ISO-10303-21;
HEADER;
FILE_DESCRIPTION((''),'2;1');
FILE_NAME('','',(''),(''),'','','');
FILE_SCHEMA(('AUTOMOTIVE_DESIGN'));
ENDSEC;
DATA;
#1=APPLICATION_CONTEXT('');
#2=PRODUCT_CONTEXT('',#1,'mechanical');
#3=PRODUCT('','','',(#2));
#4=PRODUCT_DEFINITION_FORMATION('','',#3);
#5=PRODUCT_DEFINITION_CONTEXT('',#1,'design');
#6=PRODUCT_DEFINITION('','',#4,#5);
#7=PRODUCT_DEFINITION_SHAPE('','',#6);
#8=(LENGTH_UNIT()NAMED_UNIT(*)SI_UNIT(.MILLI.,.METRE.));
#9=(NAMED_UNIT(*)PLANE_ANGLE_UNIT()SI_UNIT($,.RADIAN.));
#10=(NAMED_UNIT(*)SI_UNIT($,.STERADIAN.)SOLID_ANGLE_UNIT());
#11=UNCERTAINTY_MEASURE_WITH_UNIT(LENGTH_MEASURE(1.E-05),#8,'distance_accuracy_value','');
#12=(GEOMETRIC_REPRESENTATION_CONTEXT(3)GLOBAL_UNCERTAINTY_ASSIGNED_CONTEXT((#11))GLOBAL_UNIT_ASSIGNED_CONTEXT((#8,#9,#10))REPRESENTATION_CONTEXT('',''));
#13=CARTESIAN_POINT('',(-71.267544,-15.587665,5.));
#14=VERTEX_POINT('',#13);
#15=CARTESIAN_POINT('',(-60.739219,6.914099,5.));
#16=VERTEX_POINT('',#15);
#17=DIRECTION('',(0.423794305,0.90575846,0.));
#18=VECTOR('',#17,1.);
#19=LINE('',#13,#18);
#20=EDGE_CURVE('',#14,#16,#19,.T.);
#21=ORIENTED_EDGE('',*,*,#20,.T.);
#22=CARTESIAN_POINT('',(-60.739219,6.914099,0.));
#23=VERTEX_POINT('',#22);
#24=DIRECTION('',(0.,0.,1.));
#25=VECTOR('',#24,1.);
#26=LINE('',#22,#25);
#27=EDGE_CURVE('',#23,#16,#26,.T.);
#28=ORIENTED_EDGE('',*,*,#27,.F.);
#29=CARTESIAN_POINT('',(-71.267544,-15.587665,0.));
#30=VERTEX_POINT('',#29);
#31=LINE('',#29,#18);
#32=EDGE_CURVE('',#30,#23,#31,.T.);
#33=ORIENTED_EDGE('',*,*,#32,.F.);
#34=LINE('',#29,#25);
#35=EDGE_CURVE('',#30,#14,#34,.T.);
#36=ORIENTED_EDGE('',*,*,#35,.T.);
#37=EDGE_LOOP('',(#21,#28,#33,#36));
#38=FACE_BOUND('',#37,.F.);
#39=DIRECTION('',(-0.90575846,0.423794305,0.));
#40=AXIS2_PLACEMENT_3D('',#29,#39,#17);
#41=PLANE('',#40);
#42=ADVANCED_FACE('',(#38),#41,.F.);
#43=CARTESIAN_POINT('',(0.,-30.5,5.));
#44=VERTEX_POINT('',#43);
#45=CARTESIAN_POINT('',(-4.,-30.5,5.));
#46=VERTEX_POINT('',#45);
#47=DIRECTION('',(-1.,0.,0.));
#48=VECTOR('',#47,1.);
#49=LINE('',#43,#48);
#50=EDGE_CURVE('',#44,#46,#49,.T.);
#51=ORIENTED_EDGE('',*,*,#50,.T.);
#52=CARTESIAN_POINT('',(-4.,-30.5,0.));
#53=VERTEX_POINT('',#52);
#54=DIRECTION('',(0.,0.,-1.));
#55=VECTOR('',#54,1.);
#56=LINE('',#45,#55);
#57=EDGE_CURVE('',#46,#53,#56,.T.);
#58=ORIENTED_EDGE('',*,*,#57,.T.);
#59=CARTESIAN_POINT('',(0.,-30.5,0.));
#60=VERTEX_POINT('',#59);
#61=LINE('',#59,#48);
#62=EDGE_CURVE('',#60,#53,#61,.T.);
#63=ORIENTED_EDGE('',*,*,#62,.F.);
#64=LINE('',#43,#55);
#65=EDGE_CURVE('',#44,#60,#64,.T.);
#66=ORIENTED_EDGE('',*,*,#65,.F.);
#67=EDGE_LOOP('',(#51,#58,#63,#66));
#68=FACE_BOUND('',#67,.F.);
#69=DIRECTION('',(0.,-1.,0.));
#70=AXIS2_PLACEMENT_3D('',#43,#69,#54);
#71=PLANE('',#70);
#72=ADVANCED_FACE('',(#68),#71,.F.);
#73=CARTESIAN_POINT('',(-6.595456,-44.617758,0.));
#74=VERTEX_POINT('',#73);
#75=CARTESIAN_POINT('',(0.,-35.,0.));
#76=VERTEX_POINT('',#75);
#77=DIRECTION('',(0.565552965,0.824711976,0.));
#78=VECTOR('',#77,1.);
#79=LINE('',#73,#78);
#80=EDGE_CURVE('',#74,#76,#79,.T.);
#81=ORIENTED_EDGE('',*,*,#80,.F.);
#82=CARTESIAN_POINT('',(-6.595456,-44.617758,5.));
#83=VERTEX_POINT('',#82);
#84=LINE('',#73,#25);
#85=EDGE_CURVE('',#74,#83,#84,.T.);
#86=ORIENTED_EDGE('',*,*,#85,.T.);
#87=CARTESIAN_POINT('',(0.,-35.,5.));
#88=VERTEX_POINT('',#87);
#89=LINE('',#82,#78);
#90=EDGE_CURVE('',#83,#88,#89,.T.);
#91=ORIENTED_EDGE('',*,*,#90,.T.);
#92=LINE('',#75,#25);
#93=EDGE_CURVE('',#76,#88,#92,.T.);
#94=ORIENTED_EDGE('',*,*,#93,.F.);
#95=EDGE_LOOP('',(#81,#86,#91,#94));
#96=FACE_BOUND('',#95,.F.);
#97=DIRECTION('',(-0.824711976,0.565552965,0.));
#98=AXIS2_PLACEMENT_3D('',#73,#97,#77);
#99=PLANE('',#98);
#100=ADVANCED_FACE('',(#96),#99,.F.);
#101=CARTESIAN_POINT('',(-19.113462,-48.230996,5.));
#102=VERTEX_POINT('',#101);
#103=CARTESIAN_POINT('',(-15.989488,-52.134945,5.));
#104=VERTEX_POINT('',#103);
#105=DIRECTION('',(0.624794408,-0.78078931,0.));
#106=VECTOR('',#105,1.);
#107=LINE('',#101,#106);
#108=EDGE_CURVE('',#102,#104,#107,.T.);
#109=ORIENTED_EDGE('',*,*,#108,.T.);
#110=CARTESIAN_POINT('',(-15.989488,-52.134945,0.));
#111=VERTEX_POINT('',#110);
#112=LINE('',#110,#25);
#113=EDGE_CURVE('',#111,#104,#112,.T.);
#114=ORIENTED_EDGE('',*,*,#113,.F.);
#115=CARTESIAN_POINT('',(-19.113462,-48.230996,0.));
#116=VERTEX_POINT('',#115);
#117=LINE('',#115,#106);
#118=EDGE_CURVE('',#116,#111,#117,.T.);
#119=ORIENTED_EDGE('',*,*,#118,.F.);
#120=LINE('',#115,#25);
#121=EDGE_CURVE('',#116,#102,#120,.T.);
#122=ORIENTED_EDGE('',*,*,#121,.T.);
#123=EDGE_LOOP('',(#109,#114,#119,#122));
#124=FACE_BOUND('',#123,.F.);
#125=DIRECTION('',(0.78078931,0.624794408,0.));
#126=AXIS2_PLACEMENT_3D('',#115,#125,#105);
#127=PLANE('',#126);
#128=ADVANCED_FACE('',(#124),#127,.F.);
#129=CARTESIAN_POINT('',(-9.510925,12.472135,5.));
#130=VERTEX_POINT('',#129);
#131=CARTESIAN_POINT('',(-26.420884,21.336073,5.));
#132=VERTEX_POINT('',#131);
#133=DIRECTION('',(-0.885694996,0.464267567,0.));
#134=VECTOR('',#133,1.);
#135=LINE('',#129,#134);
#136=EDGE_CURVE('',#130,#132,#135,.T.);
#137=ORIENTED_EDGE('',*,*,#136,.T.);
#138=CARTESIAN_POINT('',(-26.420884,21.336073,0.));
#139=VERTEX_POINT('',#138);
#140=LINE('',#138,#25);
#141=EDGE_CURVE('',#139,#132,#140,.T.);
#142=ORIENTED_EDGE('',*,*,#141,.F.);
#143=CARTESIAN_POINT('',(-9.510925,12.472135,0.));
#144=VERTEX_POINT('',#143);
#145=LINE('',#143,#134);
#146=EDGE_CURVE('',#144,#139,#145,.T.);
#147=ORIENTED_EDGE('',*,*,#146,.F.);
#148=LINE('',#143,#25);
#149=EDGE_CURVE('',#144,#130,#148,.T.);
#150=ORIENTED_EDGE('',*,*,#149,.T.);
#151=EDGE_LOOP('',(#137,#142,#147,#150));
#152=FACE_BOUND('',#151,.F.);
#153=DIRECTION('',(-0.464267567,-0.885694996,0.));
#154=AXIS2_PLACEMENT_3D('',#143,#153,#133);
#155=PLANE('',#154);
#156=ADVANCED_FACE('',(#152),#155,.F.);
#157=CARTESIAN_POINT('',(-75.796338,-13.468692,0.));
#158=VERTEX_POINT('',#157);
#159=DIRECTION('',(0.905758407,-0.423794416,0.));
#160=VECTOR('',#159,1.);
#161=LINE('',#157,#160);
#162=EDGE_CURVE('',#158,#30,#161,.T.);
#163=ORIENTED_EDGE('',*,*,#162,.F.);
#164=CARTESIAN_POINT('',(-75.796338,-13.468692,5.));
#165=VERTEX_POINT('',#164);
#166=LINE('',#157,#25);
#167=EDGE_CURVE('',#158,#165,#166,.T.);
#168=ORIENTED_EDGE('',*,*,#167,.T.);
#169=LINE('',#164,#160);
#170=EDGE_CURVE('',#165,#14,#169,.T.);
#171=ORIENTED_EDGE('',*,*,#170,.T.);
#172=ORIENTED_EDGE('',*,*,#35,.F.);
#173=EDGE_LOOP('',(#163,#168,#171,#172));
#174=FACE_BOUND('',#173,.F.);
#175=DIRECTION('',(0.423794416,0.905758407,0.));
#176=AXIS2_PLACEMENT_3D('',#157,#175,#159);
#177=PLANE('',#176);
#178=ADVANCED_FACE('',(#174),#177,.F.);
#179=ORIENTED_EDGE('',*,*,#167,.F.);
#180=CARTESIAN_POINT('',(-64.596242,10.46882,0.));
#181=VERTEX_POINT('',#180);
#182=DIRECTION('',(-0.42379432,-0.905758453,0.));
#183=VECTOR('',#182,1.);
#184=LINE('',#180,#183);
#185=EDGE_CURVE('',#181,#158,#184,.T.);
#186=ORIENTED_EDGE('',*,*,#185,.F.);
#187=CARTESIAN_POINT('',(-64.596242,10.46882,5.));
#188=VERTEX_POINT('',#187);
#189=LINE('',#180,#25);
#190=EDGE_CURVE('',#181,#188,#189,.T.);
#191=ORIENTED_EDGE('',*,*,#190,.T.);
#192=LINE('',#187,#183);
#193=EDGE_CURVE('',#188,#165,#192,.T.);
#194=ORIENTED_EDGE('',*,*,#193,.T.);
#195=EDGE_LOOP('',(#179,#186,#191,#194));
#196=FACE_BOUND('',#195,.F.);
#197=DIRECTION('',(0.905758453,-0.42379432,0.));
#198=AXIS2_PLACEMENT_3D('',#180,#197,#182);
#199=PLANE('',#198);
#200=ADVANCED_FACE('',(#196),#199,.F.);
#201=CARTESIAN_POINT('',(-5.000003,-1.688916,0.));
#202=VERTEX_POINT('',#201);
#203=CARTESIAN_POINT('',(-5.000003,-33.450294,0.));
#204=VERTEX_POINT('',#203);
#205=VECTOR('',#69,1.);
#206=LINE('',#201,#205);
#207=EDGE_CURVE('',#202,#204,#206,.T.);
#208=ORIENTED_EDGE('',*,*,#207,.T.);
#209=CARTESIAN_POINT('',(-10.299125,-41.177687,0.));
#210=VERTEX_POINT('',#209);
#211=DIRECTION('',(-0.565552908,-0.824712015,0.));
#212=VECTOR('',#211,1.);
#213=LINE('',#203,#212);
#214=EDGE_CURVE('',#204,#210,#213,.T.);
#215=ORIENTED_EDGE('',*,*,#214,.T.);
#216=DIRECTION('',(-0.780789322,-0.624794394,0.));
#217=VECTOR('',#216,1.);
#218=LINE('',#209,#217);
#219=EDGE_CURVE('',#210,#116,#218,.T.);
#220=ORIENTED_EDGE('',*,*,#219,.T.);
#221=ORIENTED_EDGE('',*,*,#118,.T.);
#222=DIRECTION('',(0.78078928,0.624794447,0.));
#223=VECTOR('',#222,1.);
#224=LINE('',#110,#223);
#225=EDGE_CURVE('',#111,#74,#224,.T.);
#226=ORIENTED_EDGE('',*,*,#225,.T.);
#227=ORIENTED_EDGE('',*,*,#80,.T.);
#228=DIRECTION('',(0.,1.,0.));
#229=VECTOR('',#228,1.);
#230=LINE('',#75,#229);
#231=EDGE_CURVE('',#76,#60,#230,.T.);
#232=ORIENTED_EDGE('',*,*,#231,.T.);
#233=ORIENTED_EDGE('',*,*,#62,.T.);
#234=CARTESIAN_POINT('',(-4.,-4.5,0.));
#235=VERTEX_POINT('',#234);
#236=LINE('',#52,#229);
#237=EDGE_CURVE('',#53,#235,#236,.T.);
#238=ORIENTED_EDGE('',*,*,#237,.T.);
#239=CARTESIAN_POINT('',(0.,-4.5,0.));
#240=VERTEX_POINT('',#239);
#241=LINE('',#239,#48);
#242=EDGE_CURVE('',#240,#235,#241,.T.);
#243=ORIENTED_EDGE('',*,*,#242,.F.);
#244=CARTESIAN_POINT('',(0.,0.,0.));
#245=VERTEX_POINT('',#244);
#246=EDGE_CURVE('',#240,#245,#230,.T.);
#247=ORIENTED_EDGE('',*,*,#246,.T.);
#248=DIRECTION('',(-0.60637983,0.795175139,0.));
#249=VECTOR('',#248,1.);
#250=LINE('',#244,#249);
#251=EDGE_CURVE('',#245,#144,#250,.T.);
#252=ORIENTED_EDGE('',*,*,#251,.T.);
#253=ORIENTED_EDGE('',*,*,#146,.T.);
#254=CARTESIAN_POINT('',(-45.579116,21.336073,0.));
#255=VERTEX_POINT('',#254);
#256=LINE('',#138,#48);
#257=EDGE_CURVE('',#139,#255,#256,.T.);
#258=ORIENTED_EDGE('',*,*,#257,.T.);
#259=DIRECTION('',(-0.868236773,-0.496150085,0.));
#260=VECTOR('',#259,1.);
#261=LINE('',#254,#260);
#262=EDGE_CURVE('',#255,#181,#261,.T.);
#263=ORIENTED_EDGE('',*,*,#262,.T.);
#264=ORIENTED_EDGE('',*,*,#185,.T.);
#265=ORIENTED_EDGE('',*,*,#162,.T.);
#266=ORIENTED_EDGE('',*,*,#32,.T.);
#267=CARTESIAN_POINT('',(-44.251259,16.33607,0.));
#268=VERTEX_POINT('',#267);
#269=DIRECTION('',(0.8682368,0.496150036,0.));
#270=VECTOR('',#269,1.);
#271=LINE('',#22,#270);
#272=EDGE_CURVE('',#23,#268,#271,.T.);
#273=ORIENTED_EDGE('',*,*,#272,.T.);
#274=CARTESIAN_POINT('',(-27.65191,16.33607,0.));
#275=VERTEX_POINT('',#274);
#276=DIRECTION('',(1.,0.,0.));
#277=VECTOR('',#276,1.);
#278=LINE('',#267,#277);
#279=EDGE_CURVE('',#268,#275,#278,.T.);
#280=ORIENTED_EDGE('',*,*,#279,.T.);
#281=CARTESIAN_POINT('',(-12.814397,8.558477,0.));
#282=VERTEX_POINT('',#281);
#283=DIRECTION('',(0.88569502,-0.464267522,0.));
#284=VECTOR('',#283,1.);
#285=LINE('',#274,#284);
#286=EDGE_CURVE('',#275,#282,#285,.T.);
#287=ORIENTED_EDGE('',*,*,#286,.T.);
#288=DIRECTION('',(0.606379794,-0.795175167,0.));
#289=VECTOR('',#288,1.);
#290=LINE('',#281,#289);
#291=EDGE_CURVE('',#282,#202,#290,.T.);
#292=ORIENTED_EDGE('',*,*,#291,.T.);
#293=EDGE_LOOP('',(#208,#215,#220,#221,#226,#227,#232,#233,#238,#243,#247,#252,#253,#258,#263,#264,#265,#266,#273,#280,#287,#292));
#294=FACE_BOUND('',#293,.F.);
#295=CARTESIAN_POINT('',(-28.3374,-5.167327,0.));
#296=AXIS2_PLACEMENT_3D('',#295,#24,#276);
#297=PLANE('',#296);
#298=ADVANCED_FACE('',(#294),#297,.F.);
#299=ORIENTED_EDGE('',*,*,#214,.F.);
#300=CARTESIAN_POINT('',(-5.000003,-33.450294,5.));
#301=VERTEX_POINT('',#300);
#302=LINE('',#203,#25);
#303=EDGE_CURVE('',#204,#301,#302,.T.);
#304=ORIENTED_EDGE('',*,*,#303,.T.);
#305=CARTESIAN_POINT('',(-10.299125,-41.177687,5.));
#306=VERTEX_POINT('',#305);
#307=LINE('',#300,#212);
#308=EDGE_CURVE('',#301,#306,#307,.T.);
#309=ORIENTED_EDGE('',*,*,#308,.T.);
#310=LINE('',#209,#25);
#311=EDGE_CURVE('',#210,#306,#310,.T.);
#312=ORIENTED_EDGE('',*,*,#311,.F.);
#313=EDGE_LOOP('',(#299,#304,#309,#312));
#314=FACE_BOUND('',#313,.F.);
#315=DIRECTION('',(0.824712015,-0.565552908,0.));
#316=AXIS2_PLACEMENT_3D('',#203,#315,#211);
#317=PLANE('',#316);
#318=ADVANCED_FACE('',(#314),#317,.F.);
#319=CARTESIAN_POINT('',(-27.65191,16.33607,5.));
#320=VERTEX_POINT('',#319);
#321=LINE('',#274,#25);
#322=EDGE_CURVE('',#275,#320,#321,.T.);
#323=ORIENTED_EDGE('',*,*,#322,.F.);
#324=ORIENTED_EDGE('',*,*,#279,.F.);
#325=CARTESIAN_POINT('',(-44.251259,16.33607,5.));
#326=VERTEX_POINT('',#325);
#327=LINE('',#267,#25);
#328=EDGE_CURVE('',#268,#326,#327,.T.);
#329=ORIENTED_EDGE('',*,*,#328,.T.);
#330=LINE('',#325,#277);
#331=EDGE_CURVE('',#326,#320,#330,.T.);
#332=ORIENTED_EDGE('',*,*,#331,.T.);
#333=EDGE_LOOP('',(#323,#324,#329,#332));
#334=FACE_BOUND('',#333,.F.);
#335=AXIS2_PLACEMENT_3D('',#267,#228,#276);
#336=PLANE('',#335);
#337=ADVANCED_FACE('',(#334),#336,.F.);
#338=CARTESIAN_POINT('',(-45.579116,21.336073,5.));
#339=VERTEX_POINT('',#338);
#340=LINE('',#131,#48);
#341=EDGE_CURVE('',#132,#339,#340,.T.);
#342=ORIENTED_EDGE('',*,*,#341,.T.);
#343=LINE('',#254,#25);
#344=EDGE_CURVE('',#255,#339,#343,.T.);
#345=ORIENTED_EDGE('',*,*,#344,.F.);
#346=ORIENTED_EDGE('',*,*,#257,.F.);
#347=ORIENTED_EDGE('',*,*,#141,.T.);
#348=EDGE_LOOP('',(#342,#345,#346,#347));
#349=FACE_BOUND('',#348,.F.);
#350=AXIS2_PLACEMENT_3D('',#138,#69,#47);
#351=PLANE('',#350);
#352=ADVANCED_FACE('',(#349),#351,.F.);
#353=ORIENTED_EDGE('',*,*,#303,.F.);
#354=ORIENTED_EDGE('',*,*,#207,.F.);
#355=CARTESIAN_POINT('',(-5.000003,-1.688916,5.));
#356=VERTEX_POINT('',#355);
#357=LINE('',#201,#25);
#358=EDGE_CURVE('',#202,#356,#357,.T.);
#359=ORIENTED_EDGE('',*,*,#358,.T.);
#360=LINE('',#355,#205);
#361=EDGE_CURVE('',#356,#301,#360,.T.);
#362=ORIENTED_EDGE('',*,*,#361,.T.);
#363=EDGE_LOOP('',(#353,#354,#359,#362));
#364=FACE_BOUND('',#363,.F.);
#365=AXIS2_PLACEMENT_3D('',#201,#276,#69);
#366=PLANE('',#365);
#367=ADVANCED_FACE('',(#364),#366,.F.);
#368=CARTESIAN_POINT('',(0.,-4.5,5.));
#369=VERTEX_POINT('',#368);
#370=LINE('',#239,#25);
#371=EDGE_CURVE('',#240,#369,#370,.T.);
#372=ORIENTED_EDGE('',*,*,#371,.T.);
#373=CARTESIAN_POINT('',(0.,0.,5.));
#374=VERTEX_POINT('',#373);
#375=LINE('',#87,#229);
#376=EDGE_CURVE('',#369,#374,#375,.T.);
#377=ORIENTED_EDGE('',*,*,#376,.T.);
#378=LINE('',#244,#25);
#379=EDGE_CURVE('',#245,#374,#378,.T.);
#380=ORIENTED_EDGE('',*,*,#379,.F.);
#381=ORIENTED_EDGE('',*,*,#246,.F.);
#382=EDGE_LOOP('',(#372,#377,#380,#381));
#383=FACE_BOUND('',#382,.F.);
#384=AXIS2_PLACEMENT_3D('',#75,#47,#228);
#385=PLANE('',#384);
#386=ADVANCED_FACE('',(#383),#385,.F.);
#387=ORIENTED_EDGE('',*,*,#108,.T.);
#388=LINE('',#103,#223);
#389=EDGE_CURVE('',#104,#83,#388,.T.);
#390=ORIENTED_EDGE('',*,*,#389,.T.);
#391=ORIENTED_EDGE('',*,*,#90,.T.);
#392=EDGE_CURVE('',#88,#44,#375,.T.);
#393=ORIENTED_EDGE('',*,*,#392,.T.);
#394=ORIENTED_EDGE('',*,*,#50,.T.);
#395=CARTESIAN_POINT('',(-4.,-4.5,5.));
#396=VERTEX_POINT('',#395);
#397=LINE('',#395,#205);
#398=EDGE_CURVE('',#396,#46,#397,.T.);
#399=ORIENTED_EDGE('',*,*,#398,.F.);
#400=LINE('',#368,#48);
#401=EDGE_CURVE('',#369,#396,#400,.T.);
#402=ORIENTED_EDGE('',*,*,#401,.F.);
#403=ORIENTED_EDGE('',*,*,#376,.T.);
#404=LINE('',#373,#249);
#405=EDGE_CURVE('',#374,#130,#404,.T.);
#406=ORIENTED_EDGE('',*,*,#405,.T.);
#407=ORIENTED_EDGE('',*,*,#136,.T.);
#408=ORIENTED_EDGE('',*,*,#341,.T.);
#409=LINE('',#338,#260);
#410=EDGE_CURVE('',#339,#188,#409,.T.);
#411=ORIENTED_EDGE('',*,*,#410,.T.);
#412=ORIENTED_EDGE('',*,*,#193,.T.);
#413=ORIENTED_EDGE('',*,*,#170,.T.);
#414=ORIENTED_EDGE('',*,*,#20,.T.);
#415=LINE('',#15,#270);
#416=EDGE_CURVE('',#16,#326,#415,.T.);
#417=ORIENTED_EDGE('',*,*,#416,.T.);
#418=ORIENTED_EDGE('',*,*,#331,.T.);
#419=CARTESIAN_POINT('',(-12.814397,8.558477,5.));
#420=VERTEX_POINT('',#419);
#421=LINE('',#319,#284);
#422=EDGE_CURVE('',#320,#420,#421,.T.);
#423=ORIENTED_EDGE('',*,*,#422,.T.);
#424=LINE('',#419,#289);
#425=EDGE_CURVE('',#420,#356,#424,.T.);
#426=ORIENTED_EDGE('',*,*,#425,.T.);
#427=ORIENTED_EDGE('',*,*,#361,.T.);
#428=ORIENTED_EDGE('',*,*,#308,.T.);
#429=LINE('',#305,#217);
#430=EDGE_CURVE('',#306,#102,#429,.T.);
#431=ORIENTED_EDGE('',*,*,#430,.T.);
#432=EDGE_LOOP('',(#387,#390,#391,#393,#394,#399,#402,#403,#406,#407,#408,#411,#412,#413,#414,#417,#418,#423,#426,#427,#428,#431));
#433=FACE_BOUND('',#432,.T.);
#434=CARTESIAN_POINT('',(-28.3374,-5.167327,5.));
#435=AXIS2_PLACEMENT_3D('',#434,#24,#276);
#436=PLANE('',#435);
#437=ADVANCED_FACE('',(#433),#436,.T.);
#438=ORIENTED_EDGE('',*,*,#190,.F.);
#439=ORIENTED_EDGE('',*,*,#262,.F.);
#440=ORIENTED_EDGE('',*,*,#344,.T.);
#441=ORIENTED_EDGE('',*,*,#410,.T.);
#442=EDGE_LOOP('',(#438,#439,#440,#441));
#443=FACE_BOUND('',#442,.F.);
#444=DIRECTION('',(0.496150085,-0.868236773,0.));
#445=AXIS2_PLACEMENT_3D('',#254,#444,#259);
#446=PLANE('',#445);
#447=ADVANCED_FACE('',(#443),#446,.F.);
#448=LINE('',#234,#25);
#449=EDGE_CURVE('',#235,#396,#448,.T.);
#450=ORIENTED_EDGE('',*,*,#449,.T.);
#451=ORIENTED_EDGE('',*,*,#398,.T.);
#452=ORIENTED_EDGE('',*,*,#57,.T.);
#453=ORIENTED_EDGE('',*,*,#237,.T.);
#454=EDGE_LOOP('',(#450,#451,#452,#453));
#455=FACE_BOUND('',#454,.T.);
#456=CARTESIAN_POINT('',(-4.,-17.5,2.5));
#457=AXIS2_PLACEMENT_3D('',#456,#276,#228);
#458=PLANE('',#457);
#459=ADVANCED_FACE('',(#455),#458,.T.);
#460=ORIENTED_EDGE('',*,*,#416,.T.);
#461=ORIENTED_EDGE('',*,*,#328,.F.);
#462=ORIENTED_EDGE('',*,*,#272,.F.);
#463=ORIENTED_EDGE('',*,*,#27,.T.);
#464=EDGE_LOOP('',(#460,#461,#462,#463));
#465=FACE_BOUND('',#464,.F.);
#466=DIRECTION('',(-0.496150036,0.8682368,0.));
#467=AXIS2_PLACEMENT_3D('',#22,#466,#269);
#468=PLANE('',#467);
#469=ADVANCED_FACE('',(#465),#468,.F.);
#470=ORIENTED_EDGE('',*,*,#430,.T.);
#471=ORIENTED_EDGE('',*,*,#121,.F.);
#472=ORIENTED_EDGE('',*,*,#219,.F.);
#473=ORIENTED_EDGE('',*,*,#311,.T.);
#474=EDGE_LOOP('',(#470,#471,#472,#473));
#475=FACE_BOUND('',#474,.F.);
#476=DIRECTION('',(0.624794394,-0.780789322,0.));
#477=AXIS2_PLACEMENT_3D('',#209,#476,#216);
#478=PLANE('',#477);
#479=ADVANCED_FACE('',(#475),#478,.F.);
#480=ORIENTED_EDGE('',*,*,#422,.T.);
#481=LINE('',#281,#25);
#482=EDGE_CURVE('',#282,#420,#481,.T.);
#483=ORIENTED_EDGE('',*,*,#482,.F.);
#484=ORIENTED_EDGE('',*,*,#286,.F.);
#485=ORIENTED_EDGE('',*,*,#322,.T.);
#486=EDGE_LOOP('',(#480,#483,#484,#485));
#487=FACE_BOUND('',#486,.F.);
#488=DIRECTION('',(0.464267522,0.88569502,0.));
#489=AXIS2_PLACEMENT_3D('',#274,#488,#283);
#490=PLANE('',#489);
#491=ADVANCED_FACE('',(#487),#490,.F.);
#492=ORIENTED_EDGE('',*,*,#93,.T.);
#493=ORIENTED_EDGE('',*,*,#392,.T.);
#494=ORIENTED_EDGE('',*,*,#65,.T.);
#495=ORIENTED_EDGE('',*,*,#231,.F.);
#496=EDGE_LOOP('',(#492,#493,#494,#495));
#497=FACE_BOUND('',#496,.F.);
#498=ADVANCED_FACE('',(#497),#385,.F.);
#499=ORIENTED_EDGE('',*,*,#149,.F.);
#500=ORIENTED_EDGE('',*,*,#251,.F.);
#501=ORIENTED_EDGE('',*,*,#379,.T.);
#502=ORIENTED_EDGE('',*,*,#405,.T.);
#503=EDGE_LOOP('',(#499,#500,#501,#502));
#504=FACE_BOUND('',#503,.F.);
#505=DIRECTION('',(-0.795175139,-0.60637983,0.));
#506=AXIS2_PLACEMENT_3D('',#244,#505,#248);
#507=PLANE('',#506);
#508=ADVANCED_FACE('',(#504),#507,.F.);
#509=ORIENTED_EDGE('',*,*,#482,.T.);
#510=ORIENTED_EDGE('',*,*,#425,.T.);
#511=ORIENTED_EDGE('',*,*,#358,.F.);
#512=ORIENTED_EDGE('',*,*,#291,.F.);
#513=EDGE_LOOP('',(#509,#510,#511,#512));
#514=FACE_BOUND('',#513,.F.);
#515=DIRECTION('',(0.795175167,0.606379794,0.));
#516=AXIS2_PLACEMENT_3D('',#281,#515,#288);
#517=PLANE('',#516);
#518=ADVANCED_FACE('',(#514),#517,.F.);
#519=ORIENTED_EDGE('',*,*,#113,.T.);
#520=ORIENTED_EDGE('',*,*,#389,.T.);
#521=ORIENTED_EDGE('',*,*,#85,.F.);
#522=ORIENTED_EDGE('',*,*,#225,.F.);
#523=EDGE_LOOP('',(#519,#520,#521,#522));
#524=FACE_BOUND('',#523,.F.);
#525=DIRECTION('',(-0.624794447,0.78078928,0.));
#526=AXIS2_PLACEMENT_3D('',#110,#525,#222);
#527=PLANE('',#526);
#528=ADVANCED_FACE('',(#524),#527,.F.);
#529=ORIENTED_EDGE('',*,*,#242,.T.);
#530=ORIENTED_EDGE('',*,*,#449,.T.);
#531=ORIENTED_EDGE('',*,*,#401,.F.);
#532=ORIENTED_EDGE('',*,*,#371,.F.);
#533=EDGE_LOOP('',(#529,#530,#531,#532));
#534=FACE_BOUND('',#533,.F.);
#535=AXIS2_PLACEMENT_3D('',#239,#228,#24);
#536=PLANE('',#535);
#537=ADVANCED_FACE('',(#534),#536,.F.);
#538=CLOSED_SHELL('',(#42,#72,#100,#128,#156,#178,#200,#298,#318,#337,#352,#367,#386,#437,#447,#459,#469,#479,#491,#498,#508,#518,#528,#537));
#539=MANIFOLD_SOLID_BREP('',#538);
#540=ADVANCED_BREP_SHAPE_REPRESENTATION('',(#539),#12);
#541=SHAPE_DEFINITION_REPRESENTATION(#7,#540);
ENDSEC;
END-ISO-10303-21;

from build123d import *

# Parameters (mm, degrees)
F1_DEPTH = 5
F3_DEPTH = 4


with BuildPart() as f1:
    # F0 (on Top) → F1 (new body)
    with BuildSketch(Plane.XY):
        Polygon((0, -35), (0, 0), (-9.510925, 12.472135), (-26.420884, 21.336073), (-45.579116, 21.336073), (-64.596242, 10.46882), (-75.796338, -13.468692), (-71.267544, -15.587665), (-60.739219, 6.914099), (-44.251259, 16.33607), (-27.65191, 16.33607), (-12.814397, 8.558477), (-5.000003, -1.688916), (-5.000003, -33.450294), (-10.299125, -41.177687), (-19.113462, -48.230996), (-15.989488, -52.134945), (-6.595456, -44.617758), align=None)
    extrude(amount=F1_DEPTH)

    # F2 (on face) → F3 (cut)
    with BuildSketch(Plane.YZ):
        Polygon((-4.5, 0), (-4.5, 2.5), (-4.5, 5), (-30.5, 5), (-30.5, 2.5), (-30.5, 0), align=None)
    extrude(amount=-F3_DEPTH, mode=Mode.SUBTRACT)


with BuildPart() as f4_1:
    # F4: copy of F1
    add(f1.part)


solid = f4_1.part
